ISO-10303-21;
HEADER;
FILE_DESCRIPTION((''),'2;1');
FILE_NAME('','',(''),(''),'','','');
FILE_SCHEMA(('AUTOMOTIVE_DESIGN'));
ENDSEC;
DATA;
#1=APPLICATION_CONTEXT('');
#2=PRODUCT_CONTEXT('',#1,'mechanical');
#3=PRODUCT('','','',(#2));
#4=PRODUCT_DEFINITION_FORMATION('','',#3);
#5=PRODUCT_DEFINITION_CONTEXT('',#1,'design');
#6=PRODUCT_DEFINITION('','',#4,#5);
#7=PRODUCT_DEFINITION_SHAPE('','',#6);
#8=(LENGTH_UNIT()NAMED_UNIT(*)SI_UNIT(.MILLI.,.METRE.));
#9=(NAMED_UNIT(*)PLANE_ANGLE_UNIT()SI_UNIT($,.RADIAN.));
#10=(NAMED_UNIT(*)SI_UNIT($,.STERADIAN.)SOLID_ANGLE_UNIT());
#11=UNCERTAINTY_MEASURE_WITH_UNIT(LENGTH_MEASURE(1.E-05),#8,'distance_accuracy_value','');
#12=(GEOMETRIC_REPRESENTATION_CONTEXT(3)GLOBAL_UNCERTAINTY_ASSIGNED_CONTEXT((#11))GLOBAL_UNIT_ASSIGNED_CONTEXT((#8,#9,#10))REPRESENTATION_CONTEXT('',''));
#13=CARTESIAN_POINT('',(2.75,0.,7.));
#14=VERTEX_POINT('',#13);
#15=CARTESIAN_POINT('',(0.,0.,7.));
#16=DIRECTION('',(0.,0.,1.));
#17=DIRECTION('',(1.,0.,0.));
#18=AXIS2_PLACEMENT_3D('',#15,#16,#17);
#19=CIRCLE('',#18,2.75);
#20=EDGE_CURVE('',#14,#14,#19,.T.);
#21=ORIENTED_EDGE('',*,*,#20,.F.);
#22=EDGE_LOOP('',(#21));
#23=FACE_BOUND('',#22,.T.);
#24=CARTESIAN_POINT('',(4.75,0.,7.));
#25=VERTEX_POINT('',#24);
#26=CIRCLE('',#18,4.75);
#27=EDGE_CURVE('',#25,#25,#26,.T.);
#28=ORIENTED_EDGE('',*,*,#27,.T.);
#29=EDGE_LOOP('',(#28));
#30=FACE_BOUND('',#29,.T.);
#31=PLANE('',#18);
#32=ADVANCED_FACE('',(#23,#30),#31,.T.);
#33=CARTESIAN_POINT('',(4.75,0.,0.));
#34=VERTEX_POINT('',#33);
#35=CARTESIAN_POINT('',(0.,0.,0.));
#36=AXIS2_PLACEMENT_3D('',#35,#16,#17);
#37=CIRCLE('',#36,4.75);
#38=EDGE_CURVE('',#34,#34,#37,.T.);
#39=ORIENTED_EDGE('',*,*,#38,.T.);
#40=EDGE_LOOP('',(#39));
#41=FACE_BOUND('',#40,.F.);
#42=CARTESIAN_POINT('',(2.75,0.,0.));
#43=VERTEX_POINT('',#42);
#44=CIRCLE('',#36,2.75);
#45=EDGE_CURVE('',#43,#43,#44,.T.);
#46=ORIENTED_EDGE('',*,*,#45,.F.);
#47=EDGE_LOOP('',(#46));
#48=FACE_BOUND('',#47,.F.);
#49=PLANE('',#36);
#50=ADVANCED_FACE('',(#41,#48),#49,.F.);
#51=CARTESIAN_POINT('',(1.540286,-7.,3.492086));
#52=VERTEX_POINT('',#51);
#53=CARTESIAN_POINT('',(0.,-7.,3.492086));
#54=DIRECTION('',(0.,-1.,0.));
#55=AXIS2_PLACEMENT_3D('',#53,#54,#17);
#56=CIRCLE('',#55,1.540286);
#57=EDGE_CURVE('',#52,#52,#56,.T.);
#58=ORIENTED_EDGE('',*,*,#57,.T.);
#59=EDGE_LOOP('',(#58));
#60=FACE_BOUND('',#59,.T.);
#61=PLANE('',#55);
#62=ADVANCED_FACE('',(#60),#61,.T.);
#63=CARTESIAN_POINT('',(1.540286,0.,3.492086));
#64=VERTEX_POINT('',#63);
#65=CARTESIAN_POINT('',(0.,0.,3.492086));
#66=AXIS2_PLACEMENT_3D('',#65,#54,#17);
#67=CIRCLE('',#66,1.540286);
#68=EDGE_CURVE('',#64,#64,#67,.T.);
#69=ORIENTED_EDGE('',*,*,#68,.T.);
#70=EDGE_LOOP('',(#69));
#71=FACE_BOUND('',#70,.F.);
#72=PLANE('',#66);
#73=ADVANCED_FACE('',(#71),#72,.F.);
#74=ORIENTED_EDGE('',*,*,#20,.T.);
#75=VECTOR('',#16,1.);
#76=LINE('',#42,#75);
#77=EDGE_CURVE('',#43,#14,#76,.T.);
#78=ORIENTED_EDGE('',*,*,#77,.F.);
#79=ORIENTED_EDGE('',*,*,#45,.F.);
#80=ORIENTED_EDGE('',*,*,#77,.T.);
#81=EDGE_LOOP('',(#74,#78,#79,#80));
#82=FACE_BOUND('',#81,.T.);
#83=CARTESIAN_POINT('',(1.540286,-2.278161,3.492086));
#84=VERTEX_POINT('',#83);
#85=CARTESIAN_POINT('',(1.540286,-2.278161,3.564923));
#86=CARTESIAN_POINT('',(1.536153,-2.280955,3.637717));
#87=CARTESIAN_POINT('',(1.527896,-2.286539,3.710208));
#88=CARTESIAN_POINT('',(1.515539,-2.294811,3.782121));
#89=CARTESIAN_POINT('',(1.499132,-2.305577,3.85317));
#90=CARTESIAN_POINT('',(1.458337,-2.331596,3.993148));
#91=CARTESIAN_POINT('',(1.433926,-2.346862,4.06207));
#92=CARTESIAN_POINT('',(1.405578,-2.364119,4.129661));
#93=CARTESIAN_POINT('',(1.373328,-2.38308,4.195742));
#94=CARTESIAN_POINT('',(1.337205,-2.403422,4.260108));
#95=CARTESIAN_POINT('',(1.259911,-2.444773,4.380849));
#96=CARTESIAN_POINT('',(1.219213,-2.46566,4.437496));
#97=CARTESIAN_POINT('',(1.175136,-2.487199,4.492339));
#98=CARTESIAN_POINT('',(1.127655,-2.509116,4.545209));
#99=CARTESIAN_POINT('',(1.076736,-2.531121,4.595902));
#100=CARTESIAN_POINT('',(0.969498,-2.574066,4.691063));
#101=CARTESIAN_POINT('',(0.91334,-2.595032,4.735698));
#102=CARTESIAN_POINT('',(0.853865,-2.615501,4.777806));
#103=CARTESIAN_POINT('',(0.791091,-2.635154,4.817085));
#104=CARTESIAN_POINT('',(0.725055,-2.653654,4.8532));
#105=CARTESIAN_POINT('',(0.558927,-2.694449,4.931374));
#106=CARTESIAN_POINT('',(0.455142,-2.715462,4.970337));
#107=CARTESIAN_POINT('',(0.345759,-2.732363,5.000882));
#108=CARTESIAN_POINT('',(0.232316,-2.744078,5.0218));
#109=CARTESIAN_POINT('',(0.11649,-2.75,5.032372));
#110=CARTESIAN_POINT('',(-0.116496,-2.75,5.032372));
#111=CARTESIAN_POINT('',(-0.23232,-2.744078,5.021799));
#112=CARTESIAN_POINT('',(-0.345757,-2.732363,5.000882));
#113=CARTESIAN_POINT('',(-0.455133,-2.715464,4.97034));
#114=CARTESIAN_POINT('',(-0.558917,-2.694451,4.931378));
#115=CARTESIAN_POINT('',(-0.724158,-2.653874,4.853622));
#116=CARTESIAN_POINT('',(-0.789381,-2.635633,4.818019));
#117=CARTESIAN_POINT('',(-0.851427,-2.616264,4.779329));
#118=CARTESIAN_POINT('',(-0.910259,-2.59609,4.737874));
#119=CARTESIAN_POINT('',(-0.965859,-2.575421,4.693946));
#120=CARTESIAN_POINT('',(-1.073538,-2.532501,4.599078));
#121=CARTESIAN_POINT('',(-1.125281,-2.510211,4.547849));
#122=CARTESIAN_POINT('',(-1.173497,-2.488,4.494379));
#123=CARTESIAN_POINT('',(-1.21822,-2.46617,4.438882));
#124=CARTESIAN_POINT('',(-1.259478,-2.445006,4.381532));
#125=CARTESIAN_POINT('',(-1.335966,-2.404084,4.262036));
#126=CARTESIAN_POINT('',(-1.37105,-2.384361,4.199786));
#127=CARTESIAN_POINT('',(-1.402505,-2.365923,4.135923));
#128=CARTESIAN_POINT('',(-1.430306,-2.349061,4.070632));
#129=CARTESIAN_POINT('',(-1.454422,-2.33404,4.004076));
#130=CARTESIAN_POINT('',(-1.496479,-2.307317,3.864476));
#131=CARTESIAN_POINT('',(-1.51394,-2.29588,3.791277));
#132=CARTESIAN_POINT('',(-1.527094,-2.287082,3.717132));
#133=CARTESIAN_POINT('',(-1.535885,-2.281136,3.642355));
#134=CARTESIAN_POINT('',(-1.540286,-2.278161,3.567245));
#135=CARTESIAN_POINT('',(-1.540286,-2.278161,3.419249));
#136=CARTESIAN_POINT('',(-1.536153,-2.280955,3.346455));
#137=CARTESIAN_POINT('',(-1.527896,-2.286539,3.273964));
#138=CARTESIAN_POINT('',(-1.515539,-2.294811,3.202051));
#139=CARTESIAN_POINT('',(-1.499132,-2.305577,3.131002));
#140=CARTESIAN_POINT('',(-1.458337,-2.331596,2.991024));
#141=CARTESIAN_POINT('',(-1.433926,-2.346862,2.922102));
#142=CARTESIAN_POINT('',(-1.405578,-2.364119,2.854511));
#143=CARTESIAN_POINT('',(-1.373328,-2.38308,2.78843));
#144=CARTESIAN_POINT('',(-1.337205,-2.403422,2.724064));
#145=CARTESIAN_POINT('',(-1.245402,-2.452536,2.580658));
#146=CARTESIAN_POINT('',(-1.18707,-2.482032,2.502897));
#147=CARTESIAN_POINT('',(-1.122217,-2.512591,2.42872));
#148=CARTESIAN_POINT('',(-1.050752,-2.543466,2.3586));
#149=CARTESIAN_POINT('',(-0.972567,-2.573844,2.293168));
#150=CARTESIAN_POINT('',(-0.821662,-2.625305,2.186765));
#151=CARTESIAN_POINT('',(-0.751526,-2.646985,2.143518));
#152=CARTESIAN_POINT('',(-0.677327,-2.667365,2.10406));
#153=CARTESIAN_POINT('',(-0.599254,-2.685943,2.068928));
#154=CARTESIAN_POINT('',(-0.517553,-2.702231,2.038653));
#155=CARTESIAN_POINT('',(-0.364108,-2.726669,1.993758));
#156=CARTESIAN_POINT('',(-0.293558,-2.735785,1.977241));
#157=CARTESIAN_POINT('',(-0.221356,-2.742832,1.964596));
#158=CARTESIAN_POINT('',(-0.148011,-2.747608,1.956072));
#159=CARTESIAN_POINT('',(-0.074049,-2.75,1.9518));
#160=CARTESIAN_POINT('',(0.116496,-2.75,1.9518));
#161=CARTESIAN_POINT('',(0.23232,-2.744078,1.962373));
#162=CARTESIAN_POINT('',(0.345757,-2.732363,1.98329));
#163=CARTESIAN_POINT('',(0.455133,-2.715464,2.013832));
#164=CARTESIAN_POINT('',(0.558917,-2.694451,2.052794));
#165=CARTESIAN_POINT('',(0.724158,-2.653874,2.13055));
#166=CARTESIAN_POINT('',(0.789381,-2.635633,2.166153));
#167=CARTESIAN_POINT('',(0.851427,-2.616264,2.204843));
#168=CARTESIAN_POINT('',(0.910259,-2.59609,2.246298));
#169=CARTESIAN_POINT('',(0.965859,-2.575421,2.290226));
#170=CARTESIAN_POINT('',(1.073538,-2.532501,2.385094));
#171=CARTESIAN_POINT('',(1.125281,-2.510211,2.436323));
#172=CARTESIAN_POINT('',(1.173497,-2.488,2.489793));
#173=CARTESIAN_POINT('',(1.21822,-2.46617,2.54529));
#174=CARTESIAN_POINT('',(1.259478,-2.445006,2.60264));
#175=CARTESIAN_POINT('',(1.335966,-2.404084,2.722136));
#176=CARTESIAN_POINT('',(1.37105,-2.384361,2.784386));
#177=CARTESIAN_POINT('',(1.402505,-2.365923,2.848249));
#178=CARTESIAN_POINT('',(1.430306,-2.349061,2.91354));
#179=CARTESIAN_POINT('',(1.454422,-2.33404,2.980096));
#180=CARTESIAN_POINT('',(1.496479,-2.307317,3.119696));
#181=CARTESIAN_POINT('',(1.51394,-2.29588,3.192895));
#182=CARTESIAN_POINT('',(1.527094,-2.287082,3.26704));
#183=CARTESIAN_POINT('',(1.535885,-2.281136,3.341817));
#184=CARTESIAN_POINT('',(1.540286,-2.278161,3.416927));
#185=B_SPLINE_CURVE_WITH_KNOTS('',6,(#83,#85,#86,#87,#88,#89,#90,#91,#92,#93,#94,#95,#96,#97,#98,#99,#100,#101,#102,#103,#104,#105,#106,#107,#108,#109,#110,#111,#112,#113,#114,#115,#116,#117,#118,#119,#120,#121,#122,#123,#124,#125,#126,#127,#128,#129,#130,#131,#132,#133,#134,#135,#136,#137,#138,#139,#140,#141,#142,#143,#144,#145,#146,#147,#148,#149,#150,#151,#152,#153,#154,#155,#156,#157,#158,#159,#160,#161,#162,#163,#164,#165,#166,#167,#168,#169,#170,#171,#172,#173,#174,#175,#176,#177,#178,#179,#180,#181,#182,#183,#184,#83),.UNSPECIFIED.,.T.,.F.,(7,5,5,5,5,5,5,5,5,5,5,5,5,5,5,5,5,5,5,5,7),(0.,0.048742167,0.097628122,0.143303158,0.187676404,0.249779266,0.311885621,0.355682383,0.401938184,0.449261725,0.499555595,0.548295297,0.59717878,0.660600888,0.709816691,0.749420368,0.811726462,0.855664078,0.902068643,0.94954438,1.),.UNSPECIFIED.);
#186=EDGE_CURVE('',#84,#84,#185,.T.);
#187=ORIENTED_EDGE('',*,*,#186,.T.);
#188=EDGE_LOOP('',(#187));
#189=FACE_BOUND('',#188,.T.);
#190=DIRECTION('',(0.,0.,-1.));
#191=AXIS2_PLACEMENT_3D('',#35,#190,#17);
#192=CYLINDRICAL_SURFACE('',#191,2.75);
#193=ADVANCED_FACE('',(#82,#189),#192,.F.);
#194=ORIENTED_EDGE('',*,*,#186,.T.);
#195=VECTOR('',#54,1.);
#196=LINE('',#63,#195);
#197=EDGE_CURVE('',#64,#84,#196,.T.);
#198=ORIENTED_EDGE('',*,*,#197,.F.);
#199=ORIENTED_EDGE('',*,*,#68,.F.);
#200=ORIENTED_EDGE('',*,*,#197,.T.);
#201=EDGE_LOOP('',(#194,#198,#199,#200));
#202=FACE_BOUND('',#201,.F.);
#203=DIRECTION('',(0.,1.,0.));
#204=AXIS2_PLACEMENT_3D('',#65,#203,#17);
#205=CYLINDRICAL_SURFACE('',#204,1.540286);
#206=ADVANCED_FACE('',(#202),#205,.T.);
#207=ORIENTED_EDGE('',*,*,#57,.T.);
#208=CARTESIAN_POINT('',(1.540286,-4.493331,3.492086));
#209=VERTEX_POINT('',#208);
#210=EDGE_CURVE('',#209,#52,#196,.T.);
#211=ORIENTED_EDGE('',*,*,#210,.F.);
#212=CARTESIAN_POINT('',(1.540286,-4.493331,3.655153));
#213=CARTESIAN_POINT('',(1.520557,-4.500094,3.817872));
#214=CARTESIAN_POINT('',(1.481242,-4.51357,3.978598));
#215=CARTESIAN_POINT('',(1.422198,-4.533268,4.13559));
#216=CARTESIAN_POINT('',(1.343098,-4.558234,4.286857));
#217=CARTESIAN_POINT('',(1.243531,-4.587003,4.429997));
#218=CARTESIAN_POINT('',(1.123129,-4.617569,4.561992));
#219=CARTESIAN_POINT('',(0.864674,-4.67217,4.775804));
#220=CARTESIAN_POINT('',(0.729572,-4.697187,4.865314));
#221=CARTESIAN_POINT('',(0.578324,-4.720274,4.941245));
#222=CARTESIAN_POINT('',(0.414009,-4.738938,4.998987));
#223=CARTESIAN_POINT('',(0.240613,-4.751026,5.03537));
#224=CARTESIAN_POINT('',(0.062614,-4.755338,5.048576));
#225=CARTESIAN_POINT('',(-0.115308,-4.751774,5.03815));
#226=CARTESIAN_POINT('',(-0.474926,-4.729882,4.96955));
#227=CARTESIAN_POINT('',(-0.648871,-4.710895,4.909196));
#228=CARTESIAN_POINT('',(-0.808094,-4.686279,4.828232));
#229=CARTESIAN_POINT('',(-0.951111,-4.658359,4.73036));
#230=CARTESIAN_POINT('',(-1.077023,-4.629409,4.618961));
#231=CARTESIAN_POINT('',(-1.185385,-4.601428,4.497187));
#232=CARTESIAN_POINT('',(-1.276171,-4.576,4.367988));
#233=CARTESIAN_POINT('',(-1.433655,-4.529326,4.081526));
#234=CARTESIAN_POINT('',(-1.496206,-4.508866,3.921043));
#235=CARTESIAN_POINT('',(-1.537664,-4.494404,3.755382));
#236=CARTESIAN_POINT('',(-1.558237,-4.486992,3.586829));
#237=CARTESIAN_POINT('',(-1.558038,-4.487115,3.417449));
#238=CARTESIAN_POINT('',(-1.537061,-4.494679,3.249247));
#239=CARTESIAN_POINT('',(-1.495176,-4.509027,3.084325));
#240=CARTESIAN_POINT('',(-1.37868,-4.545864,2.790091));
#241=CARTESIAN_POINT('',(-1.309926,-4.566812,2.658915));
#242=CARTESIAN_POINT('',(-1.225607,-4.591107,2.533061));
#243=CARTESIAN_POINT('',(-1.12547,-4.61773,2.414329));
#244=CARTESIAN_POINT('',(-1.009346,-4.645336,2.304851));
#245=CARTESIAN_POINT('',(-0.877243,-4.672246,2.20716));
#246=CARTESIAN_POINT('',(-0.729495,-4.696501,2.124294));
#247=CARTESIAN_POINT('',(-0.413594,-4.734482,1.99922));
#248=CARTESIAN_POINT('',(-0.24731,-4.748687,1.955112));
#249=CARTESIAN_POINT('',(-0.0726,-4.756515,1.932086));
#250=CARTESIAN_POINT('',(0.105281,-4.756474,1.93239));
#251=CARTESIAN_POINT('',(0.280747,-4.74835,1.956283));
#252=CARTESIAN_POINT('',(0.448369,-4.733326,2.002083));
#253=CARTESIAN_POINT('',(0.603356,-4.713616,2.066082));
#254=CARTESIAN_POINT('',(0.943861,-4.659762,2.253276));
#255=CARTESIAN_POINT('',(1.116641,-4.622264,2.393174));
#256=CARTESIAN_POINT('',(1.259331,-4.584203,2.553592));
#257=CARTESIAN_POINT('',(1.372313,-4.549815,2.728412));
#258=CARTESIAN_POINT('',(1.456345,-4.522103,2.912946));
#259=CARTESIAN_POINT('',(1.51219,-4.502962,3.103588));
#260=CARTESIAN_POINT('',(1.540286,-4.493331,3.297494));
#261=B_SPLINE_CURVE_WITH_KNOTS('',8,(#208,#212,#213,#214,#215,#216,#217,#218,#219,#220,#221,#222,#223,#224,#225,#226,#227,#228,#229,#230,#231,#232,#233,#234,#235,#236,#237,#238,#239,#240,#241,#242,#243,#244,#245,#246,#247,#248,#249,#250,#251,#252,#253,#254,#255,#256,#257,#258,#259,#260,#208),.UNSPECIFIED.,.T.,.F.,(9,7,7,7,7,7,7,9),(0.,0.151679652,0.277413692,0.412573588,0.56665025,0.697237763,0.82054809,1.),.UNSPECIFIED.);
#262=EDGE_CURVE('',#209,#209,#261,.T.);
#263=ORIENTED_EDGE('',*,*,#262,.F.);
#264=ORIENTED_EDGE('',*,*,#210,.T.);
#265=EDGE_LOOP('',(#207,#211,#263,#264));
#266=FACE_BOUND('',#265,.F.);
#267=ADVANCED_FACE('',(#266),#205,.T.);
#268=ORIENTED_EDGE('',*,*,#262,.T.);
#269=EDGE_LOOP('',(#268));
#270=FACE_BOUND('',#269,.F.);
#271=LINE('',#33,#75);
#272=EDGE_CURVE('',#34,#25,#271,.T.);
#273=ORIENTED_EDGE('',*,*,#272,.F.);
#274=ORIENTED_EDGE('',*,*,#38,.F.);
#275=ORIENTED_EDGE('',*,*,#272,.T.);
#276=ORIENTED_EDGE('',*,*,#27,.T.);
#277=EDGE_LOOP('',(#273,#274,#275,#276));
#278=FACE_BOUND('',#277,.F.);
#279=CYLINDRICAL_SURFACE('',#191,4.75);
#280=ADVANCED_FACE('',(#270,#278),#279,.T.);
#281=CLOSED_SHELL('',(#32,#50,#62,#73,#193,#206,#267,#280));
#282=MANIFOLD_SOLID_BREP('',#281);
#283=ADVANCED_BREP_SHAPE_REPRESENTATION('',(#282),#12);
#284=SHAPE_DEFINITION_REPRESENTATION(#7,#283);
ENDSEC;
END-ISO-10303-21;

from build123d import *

# Parameters (mm, degrees)
F0_R     = 4.75
F0_R_2   = 2.75
F1_DEPTH = 7
F2_R     = 1.540286
F3_DEPTH = 7


with BuildPart() as f1:
    # F0 (on Top) → F1 (new body)
    with BuildSketch(Plane.XY):
        Circle(F0_R)
        Circle(F0_R_2, mode=Mode.SUBTRACT)
    extrude(amount=F1_DEPTH)

    # F2 (on Front) → F3 (join)
    with BuildSketch(Plane.XZ):
        with Locations((0, 3.492086)):
            Circle(F2_R)
    extrude(amount=F3_DEPTH)


solid = f1.part
